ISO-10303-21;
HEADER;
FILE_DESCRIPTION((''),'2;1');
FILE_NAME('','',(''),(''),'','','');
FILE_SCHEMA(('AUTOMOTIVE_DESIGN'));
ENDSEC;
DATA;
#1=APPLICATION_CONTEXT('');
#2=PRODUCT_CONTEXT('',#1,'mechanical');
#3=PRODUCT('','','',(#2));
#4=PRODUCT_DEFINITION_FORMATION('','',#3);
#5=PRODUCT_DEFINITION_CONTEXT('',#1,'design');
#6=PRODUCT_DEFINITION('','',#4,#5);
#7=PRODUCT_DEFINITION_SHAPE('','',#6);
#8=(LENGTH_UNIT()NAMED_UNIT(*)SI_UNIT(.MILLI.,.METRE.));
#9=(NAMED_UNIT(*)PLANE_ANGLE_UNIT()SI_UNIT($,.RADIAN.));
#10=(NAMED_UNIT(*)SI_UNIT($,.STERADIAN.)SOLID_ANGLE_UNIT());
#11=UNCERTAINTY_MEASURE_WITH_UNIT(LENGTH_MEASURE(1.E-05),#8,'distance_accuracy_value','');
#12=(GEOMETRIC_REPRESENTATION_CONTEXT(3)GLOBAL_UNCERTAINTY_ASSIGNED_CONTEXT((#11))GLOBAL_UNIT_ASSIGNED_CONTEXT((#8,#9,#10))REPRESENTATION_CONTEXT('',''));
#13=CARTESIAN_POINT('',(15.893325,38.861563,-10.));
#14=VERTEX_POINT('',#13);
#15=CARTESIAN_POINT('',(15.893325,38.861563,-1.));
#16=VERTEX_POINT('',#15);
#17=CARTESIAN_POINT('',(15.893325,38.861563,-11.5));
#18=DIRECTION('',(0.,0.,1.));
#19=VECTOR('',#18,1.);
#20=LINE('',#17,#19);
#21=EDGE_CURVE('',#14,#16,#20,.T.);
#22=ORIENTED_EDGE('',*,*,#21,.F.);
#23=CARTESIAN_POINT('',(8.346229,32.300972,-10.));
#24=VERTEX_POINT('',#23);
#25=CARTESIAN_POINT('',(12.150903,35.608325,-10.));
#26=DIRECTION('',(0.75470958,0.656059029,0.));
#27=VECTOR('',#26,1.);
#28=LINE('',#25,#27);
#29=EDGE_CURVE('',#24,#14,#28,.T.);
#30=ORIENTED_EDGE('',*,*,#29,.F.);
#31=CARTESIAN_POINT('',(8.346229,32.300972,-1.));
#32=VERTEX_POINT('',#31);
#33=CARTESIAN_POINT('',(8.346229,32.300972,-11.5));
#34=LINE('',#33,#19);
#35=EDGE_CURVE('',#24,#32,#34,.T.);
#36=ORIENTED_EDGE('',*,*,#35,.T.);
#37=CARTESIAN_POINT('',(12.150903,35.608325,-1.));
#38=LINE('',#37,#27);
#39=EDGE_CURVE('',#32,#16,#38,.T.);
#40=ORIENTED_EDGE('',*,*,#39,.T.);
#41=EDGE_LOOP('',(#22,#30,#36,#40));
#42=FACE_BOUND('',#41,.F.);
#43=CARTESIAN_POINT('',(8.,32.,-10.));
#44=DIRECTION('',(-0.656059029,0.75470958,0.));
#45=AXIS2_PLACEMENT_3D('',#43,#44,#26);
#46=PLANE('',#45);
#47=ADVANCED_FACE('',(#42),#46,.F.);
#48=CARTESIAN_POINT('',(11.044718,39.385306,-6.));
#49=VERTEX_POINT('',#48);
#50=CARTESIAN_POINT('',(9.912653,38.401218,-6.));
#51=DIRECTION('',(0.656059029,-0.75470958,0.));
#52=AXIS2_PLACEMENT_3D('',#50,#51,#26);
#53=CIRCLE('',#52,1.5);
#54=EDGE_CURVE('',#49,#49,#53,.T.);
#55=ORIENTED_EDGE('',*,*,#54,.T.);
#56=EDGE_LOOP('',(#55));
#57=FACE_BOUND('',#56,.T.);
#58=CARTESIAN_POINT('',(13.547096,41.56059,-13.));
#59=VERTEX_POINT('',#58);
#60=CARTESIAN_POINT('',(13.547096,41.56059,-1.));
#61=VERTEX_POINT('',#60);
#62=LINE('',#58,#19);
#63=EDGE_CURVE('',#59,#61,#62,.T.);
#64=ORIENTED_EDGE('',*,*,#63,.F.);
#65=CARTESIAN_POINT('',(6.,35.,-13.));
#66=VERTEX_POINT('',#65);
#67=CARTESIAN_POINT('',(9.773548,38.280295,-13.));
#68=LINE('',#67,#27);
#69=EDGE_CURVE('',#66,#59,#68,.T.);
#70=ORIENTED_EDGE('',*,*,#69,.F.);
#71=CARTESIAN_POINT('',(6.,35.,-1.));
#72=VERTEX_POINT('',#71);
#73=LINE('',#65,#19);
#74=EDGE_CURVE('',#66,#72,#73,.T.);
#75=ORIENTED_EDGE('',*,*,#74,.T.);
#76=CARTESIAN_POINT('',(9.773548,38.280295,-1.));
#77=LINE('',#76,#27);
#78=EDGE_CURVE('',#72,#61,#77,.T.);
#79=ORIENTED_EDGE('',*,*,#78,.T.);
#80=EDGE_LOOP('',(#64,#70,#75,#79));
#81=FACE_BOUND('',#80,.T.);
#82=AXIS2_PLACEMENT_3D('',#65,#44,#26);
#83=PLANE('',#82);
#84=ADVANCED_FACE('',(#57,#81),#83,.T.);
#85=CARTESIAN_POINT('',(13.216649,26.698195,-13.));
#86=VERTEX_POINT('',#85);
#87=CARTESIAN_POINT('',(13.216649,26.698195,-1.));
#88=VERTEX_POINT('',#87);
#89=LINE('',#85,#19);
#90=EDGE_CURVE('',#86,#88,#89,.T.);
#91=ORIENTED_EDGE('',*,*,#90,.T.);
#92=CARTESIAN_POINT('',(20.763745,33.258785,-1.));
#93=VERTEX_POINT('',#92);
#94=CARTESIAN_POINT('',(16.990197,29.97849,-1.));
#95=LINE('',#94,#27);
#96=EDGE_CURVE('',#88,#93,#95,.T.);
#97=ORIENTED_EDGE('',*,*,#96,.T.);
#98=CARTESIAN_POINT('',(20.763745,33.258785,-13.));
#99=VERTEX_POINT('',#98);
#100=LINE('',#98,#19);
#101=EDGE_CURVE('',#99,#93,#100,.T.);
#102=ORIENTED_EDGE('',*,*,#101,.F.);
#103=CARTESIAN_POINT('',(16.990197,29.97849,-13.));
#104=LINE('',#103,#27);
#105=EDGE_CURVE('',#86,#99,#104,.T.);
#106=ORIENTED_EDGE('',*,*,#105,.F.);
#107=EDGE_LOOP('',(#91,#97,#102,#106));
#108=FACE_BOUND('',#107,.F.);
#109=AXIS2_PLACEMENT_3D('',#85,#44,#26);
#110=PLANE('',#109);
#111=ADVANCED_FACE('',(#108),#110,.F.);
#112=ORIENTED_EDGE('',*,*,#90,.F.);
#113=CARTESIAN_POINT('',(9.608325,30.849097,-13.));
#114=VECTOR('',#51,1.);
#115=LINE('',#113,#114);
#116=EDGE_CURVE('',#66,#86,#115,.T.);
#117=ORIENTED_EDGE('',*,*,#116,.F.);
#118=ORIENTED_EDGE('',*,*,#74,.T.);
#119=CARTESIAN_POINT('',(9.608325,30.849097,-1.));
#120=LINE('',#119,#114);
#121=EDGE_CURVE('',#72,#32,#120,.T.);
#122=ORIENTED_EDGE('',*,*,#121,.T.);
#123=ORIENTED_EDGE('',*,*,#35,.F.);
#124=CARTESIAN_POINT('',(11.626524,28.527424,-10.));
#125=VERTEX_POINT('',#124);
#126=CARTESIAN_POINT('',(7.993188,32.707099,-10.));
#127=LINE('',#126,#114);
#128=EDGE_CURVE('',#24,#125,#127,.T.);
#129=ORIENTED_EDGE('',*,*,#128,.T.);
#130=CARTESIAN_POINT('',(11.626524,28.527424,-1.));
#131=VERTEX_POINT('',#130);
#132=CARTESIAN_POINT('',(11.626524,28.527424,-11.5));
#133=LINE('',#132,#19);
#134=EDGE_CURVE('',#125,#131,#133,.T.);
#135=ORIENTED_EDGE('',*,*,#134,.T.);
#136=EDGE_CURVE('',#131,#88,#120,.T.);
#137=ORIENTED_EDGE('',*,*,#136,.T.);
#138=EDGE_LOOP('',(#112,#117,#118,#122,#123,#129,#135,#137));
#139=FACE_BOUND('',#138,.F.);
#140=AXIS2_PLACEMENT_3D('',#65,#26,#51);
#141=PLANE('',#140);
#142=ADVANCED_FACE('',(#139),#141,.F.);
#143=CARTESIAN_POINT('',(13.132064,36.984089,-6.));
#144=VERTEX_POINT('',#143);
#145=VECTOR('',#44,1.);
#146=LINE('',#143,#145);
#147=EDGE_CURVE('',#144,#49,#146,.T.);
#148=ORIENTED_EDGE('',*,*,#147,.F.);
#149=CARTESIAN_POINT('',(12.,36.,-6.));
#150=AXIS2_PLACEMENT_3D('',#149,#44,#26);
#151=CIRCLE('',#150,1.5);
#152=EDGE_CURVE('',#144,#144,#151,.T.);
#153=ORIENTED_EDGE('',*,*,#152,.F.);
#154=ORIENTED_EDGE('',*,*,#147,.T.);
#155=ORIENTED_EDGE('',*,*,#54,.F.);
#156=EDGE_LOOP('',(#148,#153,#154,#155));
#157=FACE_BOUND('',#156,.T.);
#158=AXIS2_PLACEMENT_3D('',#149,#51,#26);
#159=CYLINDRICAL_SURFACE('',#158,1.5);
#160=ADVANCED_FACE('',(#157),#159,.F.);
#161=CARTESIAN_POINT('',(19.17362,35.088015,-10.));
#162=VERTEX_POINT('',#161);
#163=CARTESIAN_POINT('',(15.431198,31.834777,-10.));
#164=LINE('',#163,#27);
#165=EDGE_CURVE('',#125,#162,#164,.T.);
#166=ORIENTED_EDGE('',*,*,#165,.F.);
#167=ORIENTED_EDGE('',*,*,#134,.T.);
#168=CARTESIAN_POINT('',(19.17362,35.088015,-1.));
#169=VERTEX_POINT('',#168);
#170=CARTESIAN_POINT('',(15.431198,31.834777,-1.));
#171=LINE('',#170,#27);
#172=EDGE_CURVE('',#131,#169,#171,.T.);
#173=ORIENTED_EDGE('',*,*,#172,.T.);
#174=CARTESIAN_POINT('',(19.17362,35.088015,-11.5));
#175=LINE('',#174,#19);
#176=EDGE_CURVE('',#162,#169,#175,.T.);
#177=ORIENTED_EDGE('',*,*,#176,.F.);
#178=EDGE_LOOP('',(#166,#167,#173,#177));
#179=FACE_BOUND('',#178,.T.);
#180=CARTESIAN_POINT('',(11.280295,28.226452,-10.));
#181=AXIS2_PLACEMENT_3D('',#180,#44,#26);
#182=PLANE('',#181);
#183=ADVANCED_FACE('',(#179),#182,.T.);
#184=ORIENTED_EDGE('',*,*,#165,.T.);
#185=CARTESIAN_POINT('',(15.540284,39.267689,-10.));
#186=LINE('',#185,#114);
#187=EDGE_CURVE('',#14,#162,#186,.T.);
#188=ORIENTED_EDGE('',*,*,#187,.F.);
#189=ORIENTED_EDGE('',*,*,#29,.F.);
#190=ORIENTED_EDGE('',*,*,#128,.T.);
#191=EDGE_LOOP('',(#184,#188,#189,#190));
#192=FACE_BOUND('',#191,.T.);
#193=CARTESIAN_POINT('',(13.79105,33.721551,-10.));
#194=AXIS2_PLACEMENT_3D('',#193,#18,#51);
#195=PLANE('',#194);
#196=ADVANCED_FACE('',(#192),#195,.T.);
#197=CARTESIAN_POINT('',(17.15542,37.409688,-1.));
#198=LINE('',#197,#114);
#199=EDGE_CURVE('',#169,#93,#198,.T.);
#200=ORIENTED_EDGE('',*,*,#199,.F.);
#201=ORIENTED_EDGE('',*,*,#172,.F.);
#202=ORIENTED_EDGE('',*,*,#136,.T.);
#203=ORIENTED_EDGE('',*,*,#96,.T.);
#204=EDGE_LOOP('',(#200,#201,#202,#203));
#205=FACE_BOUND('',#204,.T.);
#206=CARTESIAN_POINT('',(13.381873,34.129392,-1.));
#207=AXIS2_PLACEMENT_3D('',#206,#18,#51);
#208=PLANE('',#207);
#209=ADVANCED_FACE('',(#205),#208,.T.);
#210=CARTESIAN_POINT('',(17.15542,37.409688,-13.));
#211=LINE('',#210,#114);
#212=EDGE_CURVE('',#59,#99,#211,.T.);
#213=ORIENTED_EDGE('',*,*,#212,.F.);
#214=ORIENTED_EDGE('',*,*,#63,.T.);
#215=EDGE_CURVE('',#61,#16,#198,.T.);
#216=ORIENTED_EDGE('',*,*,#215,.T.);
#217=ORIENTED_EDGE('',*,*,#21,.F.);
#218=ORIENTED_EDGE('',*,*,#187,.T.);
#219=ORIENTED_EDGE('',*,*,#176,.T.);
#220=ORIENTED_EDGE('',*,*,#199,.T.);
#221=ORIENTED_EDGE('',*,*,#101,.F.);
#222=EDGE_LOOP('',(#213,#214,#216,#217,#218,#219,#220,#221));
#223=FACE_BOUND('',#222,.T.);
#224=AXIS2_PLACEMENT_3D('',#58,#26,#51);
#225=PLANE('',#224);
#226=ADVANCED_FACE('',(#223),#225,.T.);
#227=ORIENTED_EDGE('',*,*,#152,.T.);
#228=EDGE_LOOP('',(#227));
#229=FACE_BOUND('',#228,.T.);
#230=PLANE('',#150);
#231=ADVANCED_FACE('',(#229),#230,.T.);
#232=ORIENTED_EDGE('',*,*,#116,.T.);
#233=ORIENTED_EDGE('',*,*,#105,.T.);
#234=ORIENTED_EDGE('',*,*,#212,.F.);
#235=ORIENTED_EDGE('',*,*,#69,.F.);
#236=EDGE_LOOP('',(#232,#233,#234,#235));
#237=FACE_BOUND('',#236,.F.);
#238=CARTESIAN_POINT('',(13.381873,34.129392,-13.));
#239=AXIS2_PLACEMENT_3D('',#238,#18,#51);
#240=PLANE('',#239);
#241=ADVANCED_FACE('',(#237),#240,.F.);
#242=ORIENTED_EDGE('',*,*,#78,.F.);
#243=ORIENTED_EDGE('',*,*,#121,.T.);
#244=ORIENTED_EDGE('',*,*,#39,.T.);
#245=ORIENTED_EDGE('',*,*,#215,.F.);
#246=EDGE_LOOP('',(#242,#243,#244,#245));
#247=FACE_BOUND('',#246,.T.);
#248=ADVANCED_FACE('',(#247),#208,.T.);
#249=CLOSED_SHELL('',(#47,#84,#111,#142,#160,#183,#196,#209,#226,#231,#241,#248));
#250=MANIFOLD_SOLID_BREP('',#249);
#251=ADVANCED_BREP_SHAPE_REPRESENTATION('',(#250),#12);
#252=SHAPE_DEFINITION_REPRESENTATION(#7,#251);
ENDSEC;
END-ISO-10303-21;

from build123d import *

# Parameters (mm, degrees)
CYLINDER046_R               = 1.5
CYLINDER046_DEPTH           = 10
CYLINDER046_ROLL_ANGLE      = -90
CYLINDER046_PLACEMENT_ANGLE = 41
BOX014_W                    = 5
BOX014_H                    = 11
BOX014_DEPTH                = 9
BOX014_PLACEMENT_ANGLE      = 49
BOX013_W                    = 11
BOX013_H                    = 10
BOX013_DEPTH                = 12
BOX013_PLACEMENT_ANGLE      = 49


with BuildPart() as cylinder046:
    # Cylinder046 → Cylinder046 (new body)
    with BuildSketch(Plane.XY):
        Circle(CYLINDER046_R)
    extrude(amount=CYLINDER046_DEPTH)


with BuildPart() as cylinder046_1:
    # Cylinder046 roll: moved
    add(cylinder046.part.rotate(Axis((0, 0, 0), (1, 0, 0)), CYLINDER046_ROLL_ANGLE))


with BuildPart() as cylinder046_2:
    # Cylinder046 placement: moved
    add(cylinder046_1.part.moved(Location((12, 36, -6))).rotate(Axis((12, 36, -6), (0, 0, 1)), CYLINDER046_PLACEMENT_ANGLE))


with BuildPart() as box014:
    # Box014 → Box014 (new body)
    with BuildSketch(Plane.XY):
        with Locations((2.5, 5.5)):
            Rectangle(BOX014_W, BOX014_H)
    extrude(amount=BOX014_DEPTH)


with BuildPart() as box014_1:
    # Box014 placement: moved
    add(box014.part.moved(Location((8, 32, -10))).rotate(Axis((8, 32, -10), (0, 0, -1)), BOX014_PLACEMENT_ANGLE))


with BuildPart() as cut042:
    # Box013 → Box013 (new body)
    with BuildSketch(Plane.XY):
        with Locations((5.5, 5)):
            Rectangle(BOX013_W, BOX013_H)
    extrude(amount=BOX013_DEPTH)


with BuildPart() as cut042_1:
    # Box013 placement: moved
    add(cut042.part.moved(Location((6, 35, -13))).rotate(Axis((6, 35, -13), (0, 0, -1)), BOX013_PLACEMENT_ANGLE))

    # Cut041: cut Box014
    add(box014_1.part, mode=Mode.SUBTRACT)

    # Cut042: cut Cylinder046
    add(cylinder046_2.part, mode=Mode.SUBTRACT)


solid = cut042_1.part
